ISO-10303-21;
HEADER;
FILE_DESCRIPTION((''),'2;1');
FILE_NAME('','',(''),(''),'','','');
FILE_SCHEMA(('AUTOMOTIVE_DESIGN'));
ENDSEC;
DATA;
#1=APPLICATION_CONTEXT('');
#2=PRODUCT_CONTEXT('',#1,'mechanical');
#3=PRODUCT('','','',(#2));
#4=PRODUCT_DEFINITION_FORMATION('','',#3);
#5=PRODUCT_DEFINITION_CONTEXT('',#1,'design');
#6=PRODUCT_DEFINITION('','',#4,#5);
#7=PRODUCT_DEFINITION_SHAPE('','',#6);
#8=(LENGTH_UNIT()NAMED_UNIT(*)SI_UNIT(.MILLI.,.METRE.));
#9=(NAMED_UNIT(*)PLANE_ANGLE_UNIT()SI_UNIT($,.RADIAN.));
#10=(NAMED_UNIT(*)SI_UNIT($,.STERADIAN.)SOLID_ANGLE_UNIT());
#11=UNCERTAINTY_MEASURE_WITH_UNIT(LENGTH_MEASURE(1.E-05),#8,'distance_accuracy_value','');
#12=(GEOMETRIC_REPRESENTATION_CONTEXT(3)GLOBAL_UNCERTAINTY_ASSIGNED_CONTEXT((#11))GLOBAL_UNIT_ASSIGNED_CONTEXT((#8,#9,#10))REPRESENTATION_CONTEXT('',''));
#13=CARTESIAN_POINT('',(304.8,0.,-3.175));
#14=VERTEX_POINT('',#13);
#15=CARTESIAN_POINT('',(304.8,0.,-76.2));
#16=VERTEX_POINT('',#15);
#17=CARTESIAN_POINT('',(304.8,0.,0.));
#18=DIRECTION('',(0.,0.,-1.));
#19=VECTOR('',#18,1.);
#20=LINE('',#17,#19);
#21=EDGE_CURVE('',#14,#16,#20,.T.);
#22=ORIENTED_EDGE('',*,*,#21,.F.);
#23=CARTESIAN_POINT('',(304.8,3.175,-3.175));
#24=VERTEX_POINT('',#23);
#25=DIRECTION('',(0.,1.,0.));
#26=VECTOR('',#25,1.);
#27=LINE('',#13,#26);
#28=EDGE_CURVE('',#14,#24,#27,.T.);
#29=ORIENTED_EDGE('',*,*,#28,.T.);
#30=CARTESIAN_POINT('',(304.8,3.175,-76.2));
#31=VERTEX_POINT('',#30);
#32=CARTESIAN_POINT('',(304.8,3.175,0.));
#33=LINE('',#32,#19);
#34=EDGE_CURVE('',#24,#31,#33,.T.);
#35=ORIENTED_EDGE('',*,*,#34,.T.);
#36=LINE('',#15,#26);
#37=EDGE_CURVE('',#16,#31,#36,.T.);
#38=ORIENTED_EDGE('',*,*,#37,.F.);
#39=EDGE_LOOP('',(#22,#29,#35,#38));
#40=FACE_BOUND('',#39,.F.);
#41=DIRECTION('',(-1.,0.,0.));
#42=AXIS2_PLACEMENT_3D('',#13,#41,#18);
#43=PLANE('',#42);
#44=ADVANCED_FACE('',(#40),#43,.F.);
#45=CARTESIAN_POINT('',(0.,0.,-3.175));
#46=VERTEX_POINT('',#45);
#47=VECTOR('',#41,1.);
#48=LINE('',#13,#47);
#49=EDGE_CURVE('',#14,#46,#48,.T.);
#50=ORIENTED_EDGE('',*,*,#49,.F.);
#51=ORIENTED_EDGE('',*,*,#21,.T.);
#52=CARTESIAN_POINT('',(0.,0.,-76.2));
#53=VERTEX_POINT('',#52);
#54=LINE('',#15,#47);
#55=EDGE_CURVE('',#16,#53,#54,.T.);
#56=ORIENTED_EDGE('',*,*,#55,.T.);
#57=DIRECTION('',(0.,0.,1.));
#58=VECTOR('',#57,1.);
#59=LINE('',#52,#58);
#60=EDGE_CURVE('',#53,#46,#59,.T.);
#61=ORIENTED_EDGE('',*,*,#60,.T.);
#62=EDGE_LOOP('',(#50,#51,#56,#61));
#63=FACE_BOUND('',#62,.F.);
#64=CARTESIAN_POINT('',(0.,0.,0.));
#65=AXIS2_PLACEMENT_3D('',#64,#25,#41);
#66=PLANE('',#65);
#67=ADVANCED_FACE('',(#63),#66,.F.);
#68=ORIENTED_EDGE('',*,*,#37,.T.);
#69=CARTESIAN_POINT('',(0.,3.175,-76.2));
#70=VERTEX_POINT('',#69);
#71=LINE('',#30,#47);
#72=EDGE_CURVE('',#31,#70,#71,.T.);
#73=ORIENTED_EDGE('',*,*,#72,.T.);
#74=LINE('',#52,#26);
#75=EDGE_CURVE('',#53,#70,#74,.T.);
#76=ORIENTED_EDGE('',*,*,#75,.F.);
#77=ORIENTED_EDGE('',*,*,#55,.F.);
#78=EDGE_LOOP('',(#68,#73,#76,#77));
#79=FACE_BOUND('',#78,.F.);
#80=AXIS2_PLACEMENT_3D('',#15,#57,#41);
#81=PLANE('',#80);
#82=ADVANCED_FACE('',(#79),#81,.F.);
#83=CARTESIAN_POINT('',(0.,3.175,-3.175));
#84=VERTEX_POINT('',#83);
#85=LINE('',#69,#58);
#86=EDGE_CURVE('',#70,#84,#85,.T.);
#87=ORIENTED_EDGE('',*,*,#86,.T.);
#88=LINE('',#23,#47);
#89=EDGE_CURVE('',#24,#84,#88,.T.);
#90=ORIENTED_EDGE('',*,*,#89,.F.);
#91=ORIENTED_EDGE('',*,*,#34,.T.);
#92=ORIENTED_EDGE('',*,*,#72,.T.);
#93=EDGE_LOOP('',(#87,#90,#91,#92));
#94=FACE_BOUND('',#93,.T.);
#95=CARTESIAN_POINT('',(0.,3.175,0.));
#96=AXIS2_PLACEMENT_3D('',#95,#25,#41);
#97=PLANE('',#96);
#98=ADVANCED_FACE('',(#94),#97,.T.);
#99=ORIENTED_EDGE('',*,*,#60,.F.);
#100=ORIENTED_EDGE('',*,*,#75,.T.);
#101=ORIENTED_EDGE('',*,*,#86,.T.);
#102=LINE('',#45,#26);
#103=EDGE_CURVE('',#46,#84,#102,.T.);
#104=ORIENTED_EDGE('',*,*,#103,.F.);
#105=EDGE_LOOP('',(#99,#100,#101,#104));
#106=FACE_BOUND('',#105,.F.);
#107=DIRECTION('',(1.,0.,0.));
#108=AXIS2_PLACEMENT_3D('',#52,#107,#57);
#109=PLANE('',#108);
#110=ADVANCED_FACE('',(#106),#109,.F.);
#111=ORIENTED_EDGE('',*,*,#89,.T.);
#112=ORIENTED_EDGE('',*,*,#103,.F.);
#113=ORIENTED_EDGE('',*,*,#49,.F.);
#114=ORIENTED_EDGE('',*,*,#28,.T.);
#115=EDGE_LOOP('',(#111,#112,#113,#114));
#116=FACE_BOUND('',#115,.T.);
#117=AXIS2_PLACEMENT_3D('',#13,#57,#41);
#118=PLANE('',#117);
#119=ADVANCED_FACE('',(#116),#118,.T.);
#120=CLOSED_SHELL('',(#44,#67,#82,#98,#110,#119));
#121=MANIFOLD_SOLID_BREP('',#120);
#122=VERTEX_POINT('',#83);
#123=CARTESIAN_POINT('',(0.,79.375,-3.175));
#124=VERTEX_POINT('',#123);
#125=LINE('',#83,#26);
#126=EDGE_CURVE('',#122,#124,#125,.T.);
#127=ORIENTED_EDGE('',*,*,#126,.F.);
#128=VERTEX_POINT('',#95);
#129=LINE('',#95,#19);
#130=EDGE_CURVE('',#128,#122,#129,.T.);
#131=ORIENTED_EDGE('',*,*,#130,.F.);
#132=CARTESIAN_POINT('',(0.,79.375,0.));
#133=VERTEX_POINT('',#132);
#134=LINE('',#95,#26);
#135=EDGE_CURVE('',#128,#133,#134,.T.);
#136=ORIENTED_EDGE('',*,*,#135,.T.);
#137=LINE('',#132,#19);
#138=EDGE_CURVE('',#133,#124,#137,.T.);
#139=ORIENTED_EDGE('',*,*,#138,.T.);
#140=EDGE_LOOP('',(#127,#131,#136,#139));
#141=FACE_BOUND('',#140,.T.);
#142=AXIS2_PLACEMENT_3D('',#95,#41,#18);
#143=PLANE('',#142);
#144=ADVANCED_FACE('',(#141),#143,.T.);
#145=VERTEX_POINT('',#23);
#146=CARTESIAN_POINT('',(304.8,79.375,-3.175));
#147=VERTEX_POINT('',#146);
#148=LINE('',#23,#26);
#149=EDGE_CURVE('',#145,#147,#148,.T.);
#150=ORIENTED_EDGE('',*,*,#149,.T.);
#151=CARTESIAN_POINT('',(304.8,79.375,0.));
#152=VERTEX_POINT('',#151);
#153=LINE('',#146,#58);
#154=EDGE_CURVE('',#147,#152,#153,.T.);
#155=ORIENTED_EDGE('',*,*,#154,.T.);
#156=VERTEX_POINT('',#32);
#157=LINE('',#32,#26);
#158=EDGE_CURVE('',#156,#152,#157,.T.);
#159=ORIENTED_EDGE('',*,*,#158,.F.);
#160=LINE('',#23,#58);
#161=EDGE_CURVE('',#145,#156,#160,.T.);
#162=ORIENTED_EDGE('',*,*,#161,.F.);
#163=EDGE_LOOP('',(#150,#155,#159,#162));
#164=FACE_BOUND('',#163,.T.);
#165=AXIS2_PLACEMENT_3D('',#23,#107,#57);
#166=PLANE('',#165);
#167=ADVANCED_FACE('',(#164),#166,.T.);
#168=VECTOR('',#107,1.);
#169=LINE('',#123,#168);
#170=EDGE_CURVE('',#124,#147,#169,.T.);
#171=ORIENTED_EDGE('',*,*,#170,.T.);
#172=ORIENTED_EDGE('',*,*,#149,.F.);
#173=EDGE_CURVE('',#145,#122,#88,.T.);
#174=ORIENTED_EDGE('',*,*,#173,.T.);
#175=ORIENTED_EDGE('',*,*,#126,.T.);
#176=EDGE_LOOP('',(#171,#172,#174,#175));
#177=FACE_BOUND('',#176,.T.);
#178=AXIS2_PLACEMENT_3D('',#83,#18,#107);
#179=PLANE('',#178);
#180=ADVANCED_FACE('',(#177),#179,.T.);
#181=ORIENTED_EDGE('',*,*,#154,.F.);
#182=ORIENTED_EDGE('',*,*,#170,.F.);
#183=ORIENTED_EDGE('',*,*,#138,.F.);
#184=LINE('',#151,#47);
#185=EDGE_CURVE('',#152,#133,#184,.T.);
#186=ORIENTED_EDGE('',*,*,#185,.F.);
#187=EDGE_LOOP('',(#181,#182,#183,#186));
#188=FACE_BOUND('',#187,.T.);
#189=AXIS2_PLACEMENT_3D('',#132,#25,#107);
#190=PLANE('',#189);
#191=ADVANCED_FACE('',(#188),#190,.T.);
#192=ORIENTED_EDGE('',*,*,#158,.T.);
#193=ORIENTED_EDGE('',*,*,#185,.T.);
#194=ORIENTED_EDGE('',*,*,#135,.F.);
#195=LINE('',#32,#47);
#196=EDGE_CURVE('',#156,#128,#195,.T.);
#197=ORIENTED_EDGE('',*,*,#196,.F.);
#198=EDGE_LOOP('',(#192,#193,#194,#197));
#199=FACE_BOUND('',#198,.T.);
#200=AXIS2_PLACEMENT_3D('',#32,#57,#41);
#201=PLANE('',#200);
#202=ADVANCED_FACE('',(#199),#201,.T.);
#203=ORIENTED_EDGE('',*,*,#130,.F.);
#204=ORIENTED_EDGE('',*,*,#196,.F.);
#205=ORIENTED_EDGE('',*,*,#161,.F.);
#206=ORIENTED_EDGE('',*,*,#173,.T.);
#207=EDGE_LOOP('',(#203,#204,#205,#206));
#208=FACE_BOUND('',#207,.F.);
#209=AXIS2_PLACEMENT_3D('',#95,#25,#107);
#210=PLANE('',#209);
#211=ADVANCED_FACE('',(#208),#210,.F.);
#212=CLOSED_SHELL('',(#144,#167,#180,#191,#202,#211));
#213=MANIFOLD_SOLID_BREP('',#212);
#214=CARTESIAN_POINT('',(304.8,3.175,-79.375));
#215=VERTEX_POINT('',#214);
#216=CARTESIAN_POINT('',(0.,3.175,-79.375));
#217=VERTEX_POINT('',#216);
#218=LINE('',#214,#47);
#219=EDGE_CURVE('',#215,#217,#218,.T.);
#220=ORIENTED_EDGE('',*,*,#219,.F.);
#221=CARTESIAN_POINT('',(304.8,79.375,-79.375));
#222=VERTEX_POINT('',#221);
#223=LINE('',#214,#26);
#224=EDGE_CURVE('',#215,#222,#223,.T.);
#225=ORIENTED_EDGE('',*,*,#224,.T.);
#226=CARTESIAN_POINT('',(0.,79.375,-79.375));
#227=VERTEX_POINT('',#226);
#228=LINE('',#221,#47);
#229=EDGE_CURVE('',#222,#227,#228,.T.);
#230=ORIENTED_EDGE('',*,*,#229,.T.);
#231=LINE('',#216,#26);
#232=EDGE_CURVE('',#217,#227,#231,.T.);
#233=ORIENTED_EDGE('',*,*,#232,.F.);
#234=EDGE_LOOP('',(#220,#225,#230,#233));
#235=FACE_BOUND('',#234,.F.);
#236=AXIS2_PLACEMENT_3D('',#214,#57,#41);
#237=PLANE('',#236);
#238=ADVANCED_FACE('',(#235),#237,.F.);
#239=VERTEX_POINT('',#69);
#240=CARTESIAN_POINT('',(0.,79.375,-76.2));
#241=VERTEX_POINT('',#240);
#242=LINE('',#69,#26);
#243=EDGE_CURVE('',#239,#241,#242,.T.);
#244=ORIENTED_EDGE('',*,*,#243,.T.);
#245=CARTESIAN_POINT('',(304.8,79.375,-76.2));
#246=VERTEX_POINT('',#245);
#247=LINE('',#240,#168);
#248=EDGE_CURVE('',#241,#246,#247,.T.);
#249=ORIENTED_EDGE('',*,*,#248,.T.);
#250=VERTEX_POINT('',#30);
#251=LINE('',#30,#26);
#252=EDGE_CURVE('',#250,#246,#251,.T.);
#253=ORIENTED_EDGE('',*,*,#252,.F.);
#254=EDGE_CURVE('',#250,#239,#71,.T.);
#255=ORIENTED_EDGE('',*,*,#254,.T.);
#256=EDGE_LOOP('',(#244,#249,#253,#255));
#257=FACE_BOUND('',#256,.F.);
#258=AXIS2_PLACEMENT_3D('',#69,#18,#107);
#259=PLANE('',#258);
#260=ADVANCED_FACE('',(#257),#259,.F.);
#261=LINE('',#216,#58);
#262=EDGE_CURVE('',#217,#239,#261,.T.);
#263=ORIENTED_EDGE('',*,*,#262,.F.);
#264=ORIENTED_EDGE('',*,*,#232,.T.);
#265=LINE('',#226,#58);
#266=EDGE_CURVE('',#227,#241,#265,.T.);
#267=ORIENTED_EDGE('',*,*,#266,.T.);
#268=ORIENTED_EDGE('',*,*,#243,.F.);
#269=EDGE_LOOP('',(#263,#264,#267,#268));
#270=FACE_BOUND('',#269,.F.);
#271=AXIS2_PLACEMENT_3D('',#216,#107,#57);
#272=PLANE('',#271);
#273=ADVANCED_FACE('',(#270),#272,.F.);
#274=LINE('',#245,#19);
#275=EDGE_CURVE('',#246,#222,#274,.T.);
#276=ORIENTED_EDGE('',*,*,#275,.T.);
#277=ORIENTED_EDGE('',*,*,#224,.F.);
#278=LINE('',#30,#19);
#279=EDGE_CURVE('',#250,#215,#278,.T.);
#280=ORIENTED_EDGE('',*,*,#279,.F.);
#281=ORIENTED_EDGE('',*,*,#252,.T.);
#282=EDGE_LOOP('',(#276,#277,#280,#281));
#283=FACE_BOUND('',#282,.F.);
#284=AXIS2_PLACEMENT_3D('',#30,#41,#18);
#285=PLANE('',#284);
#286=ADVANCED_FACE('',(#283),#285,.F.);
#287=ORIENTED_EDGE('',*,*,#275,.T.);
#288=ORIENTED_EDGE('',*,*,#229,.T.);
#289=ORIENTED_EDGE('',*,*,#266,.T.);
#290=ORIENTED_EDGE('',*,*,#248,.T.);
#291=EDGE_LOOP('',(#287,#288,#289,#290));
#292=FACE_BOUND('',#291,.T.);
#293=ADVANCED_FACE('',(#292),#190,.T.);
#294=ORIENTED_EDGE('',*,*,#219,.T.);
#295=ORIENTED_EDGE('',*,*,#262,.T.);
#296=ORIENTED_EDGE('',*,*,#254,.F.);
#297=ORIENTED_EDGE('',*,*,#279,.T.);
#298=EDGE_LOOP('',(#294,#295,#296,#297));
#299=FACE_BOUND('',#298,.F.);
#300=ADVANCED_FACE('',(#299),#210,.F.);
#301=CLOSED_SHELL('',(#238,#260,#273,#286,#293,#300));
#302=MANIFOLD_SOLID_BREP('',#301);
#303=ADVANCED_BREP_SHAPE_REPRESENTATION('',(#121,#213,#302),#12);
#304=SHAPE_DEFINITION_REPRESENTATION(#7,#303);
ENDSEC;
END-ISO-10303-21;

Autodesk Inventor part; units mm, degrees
ref_plane "YZ Plane" through (0, 0, 0) normal (1, 0, 0) x (0, 1, 0)
ref_plane "XZ Plane" through (0, 0, 0) normal (0, 1, 0) x (-1, 0, 0)
ref_plane "XY Plane" through (0, 0, 0) normal (0, 0, 1) x (1, 0, 0)
sketch "Sketch1" plane through (0, 0, 0) normal (0, 1, 0) x (-1, 0, 0)
  line L0 (0, 0) -> (-304.8, 0)
  line L1 (-304.8, 0) -> (-304.8, -76.2)
  line L2 (-304.8, -76.2) -> (0, -76.2)
  line L3 (0, -76.2) -> (0, 0)
  line L4 (0, 0) -> (-304.8, 0)
  line L5 (-304.8, 0) -> (-304.8, -3.175)
  line L6 (-304.8, -3.175) -> (0, -3.175)
  line L7 (0, -3.175) -> (0, 0)
  line L8 (0, -76.2) -> (-304.8, -76.2)
  line L9 (-304.8, -76.2) -> (-304.8, -79.375)
  line L10 (-304.8, -79.375) -> (0, -79.375)
  line L11 (0, -79.375) -> (0, -76.2)
  dimension "d0" = 304.8
  dimension "d1" = 76.2
  dimension "d2" = 304.8
  dimension "d3" = 3.175
  dimension "d4" = 304.8
  dimension "d5" = 3.175
extrude "Extrusion1" add sketch "Sketch1" along normal blind 3.175 contours L3 L2 L1 L6
sketch "Sketch2" plane through (0, 3.175, 0) normal (0, 1, 0) x (1, 0, 0)
  line L0 (0, 3.175) -> (304.8, 3.175)
  line L1 (304.8, 3.175) -> (304.8, 0)
  line L2 (304.8, 0) -> (0, 0)
  line L3 (0, 0) -> (0, 3.175)
  dimension "d8" = 304.8
  dimension "d9" = 3.175
extrude "Extrusion2" add sketch "Sketch2" along normal blind 76.2
sketch "Sketch3" plane through (0, 3.175, 0) normal (0, 1, 0) x (1, 0, 0)
  line L0 (0, 76.2) -> (304.8, 76.2)
  line L1 (304.8, 76.2) -> (304.8, 79.375)
  line L2 (304.8, 79.375) -> (0, 79.375)
  line L3 (0, 79.375) -> (0, 76.2)
  point P0 (0, 0)
  dimension "d12" = 304.8
  dimension "d13" = 3.175
extrude "Extrusion3" add sketch "Sketch3" along normal blind 76.2
properties part number "meera's skillz"
